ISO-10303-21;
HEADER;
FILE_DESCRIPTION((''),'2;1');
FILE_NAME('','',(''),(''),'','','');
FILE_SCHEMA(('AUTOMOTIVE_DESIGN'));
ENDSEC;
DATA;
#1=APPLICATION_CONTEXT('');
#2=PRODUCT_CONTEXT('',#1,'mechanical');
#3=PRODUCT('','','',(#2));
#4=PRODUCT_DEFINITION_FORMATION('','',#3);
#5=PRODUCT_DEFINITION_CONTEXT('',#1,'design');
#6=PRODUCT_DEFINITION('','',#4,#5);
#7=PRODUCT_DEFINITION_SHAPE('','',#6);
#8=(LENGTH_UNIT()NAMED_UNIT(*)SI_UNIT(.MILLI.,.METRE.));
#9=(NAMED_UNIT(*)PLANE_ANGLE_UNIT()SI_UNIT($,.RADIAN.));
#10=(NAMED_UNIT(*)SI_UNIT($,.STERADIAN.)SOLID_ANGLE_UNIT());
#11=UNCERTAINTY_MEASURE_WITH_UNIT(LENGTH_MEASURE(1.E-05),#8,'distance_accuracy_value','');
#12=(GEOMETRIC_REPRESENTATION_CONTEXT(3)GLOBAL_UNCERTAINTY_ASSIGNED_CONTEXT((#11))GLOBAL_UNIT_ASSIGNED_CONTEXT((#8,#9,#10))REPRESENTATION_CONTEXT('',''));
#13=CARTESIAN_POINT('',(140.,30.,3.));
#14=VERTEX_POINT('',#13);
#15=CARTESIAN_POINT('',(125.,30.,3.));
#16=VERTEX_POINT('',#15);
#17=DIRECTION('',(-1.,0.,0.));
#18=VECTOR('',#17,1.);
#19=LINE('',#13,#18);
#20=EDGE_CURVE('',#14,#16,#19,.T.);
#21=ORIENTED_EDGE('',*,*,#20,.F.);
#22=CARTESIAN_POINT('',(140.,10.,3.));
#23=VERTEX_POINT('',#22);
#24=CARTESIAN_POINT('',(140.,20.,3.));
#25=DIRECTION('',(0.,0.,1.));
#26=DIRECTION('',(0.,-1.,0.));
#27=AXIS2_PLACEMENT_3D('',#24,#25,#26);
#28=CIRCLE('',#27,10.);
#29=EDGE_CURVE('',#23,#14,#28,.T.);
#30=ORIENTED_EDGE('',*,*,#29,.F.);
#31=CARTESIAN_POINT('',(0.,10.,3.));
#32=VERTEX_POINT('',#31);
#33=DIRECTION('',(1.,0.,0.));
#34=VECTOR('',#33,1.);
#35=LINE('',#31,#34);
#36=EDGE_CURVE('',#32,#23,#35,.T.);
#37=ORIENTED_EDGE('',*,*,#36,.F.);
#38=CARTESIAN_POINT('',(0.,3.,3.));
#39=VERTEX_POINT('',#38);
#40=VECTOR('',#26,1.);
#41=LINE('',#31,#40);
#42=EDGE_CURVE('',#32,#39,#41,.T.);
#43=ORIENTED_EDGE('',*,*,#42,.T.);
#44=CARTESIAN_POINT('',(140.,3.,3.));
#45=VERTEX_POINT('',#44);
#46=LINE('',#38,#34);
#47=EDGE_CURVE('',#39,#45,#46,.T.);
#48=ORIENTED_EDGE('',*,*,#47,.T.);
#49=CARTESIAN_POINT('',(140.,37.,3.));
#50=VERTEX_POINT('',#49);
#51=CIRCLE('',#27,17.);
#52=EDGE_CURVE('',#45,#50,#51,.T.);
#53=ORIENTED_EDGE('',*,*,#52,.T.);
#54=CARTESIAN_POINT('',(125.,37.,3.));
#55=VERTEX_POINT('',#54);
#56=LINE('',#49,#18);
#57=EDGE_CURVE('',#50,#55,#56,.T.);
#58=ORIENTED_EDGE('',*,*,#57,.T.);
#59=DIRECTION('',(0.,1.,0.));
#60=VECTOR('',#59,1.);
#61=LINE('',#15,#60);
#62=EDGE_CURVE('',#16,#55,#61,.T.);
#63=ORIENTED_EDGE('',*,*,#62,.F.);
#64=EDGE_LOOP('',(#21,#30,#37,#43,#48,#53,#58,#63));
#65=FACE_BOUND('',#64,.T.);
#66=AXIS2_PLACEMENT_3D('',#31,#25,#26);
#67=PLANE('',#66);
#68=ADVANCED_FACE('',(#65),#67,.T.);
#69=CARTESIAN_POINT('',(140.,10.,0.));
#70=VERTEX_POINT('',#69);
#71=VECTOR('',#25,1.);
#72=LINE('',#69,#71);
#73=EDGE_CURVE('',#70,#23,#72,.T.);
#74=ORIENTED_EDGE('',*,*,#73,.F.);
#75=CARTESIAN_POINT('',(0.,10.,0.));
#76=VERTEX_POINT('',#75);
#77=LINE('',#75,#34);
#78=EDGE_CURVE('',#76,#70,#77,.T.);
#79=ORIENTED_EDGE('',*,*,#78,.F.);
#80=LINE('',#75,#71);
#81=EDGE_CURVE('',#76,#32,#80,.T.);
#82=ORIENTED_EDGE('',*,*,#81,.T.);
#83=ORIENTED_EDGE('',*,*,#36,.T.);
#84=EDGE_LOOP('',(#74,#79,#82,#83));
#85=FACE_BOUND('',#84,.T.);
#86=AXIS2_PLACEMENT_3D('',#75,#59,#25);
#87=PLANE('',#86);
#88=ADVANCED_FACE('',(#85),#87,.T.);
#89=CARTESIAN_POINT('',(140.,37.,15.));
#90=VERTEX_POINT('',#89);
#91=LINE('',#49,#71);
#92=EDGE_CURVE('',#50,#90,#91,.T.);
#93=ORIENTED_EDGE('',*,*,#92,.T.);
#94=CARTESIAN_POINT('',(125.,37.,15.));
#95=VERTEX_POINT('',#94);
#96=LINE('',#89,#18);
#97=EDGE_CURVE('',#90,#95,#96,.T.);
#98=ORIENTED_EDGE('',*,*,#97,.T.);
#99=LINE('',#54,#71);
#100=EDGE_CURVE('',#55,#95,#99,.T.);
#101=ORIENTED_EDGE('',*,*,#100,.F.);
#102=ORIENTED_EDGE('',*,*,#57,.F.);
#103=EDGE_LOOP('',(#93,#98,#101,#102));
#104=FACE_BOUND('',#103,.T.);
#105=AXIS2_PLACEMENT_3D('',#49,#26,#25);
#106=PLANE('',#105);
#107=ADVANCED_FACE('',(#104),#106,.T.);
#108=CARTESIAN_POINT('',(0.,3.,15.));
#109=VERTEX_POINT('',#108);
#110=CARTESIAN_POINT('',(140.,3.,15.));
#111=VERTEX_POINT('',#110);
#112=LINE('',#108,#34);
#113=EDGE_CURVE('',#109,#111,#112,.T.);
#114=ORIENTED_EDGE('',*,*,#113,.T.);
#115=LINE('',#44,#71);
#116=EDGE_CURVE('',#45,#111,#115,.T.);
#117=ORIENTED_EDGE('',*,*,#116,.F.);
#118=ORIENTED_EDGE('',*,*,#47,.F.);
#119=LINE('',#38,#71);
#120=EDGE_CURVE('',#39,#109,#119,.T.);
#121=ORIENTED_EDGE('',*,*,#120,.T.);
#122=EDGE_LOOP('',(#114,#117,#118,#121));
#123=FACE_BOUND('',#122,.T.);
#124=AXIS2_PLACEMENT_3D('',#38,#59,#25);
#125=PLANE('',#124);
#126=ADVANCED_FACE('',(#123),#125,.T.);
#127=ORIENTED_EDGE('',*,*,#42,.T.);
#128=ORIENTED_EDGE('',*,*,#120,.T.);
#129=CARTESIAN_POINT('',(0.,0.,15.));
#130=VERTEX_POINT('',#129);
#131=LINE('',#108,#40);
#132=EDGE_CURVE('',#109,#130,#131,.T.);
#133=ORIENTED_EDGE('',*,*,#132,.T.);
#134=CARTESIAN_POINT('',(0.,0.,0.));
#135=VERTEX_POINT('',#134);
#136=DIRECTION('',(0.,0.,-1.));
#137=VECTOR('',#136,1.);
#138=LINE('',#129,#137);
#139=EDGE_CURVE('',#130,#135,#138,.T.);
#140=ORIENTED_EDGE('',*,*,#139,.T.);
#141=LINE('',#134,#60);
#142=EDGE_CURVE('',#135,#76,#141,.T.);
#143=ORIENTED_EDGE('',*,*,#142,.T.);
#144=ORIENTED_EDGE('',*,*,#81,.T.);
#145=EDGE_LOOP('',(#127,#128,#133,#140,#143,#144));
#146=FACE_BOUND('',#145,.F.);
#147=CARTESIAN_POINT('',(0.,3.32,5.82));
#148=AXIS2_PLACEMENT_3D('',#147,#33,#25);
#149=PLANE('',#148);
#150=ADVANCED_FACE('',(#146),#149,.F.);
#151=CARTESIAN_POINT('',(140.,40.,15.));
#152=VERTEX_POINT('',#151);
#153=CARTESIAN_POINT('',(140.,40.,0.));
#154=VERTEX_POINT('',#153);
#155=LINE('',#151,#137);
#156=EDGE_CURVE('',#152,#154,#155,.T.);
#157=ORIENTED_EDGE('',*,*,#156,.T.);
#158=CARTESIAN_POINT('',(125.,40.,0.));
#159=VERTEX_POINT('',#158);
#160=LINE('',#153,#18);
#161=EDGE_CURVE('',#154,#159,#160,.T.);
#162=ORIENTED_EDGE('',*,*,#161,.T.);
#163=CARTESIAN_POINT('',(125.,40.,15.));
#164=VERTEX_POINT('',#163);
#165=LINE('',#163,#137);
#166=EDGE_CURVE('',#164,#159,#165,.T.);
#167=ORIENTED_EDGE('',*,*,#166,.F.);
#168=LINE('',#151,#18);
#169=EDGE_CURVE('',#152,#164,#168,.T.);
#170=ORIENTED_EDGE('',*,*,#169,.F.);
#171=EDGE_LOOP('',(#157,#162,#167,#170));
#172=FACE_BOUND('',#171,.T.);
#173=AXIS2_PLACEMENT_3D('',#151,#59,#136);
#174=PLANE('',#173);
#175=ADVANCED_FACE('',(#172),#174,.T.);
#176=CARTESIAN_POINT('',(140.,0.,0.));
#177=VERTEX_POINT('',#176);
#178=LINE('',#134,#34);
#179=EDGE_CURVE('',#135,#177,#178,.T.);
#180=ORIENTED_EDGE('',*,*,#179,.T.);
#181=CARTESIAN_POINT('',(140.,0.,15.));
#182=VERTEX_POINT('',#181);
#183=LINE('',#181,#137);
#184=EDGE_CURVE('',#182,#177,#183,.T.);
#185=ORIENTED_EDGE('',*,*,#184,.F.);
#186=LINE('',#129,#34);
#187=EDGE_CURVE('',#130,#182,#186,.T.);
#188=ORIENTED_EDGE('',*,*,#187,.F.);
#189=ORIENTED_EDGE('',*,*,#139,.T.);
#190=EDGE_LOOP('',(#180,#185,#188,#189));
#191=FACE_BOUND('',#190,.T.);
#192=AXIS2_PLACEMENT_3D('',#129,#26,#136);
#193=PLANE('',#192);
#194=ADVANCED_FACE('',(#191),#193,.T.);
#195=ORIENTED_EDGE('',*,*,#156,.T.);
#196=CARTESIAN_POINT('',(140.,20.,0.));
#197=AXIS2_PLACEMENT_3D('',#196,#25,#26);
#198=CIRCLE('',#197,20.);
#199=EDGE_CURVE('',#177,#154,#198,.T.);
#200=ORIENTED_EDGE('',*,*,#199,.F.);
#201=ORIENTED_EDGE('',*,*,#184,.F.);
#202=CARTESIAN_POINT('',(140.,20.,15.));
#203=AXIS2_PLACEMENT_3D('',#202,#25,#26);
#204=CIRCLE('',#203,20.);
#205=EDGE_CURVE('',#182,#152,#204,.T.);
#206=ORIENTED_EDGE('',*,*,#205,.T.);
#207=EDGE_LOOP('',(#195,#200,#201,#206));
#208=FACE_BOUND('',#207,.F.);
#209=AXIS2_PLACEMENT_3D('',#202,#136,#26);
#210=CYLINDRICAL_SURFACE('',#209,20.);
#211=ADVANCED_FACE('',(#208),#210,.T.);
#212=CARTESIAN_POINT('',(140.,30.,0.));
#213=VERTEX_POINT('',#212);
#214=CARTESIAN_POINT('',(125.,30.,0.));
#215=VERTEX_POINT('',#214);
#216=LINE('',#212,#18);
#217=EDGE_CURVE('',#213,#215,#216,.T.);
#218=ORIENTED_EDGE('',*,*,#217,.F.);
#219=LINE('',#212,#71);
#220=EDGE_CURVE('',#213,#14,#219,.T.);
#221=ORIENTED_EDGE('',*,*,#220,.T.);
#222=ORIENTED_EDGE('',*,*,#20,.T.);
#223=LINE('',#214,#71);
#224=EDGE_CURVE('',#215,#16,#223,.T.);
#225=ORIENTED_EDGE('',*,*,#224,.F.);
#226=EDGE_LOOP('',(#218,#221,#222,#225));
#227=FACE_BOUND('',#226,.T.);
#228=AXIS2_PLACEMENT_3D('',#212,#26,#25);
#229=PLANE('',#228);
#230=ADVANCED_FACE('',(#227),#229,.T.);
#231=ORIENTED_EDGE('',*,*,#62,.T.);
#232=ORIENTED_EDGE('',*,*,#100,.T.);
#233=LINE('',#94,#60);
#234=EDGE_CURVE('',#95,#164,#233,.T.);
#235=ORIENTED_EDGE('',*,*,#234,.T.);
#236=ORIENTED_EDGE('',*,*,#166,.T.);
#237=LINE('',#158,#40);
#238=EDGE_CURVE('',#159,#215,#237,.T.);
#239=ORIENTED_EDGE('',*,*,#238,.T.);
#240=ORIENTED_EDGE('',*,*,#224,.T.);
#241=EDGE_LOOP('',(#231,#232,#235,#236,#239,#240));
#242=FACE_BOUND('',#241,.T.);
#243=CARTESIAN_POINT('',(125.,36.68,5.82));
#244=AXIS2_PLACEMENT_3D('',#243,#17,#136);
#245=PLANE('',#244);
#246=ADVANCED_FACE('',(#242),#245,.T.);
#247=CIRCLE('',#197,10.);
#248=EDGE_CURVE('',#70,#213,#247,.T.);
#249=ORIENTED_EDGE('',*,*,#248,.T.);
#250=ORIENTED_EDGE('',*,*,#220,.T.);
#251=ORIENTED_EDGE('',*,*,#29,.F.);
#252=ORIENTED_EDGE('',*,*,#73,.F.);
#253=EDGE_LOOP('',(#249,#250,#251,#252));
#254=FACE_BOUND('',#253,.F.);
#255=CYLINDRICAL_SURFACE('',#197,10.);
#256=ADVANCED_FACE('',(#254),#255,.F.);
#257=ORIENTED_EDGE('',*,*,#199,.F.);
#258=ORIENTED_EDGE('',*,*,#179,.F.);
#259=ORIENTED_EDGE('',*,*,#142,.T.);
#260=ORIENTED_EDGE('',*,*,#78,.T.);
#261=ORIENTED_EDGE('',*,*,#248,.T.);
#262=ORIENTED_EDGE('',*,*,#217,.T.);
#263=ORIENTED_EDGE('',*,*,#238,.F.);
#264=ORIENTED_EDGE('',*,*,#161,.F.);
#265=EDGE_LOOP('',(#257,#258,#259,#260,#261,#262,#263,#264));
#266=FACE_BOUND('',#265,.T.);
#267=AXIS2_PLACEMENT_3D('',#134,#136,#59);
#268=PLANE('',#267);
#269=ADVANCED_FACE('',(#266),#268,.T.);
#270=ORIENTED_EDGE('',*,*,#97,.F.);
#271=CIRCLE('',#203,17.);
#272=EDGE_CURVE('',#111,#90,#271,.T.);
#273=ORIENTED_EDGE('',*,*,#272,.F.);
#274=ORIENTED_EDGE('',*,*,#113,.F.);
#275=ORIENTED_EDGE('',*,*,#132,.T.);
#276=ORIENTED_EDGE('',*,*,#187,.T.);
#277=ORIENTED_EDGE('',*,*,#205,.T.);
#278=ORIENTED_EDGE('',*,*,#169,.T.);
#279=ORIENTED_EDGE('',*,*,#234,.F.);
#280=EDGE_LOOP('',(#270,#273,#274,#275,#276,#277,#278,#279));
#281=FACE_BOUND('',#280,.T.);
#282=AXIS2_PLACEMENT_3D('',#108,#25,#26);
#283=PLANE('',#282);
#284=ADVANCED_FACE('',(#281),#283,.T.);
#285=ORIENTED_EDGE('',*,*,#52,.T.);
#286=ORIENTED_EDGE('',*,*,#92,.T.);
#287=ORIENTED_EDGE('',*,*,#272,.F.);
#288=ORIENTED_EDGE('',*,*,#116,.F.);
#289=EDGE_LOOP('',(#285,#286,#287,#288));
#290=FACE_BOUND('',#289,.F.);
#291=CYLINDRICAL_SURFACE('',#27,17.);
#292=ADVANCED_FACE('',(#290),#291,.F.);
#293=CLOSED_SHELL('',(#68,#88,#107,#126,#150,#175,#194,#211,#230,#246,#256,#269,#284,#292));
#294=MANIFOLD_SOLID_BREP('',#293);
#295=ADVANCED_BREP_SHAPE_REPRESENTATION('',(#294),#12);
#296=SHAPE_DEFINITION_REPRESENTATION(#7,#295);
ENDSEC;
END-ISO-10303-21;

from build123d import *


with BuildPart() as f2:
    # F2: sweep along a path in F0
    with BuildLine(Plane.XY) as f2_path:
        Line((0, 0), (140, 0))
        ThreePointArc((140, 0), (160, 20), (140, 40))
        Line((140, 40), (125, 40))
    # F1 (on Right) → F2 (sweep)
    with BuildSketch(Plane.YZ):
        Polygon((0, 15), (0, 0), (10, 0), (10, 3), (3, 3), (3, 15), align=None)
    sweep(path=f2_path.line)


solid = f2.part
